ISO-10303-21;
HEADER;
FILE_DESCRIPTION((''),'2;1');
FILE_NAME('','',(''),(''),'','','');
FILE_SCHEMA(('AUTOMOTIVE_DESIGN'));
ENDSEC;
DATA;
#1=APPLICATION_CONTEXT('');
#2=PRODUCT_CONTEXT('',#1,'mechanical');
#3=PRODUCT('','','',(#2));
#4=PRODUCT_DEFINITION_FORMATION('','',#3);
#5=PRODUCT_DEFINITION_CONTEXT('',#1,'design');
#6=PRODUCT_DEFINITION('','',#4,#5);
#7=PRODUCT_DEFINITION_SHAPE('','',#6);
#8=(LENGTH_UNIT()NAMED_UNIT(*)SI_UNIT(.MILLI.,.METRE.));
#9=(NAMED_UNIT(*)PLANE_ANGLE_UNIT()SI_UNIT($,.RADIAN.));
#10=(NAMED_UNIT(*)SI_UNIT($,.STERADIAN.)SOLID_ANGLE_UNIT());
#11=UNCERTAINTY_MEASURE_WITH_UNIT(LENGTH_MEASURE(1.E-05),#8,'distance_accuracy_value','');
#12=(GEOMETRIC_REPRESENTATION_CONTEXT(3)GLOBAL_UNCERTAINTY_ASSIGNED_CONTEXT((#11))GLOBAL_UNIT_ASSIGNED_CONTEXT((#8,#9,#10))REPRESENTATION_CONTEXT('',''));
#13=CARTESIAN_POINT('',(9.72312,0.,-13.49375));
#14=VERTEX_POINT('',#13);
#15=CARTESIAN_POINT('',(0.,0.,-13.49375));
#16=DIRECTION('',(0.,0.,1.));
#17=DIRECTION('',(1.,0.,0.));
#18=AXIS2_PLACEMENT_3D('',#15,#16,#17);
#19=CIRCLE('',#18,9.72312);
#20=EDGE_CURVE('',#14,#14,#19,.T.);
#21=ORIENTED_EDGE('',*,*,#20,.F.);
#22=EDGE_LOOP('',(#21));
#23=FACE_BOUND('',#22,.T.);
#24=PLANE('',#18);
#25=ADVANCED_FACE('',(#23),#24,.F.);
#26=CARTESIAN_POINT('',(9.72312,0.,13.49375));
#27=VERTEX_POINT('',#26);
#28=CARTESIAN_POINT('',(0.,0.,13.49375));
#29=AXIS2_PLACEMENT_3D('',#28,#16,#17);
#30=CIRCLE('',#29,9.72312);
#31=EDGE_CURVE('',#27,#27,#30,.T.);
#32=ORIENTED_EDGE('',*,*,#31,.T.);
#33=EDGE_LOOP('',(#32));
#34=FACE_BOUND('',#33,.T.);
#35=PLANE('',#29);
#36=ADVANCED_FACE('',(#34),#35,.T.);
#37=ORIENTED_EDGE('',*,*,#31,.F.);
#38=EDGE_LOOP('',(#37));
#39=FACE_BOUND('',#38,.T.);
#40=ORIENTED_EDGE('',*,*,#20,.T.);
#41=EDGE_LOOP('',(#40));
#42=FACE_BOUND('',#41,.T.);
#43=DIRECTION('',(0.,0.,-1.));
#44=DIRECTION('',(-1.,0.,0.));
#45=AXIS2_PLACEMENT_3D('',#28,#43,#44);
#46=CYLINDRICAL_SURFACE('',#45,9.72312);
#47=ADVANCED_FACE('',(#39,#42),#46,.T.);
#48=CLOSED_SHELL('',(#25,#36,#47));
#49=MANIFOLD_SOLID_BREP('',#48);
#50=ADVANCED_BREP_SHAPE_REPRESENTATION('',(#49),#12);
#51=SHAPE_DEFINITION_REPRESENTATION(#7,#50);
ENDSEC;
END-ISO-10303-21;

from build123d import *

# Parameters (mm, degrees)
SKETCH1_R           = 9.72312
BOSS_EXTRUDE1_DEPTH = 13.49375


with BuildPart() as part:
    # Sketch1 → Boss-Extrude1 (new body, symmetric)
    with BuildSketch(Plane.XY):
        Circle(SKETCH1_R)
    extrude(amount=BOSS_EXTRUDE1_DEPTH, both=True)


solid = part.part
